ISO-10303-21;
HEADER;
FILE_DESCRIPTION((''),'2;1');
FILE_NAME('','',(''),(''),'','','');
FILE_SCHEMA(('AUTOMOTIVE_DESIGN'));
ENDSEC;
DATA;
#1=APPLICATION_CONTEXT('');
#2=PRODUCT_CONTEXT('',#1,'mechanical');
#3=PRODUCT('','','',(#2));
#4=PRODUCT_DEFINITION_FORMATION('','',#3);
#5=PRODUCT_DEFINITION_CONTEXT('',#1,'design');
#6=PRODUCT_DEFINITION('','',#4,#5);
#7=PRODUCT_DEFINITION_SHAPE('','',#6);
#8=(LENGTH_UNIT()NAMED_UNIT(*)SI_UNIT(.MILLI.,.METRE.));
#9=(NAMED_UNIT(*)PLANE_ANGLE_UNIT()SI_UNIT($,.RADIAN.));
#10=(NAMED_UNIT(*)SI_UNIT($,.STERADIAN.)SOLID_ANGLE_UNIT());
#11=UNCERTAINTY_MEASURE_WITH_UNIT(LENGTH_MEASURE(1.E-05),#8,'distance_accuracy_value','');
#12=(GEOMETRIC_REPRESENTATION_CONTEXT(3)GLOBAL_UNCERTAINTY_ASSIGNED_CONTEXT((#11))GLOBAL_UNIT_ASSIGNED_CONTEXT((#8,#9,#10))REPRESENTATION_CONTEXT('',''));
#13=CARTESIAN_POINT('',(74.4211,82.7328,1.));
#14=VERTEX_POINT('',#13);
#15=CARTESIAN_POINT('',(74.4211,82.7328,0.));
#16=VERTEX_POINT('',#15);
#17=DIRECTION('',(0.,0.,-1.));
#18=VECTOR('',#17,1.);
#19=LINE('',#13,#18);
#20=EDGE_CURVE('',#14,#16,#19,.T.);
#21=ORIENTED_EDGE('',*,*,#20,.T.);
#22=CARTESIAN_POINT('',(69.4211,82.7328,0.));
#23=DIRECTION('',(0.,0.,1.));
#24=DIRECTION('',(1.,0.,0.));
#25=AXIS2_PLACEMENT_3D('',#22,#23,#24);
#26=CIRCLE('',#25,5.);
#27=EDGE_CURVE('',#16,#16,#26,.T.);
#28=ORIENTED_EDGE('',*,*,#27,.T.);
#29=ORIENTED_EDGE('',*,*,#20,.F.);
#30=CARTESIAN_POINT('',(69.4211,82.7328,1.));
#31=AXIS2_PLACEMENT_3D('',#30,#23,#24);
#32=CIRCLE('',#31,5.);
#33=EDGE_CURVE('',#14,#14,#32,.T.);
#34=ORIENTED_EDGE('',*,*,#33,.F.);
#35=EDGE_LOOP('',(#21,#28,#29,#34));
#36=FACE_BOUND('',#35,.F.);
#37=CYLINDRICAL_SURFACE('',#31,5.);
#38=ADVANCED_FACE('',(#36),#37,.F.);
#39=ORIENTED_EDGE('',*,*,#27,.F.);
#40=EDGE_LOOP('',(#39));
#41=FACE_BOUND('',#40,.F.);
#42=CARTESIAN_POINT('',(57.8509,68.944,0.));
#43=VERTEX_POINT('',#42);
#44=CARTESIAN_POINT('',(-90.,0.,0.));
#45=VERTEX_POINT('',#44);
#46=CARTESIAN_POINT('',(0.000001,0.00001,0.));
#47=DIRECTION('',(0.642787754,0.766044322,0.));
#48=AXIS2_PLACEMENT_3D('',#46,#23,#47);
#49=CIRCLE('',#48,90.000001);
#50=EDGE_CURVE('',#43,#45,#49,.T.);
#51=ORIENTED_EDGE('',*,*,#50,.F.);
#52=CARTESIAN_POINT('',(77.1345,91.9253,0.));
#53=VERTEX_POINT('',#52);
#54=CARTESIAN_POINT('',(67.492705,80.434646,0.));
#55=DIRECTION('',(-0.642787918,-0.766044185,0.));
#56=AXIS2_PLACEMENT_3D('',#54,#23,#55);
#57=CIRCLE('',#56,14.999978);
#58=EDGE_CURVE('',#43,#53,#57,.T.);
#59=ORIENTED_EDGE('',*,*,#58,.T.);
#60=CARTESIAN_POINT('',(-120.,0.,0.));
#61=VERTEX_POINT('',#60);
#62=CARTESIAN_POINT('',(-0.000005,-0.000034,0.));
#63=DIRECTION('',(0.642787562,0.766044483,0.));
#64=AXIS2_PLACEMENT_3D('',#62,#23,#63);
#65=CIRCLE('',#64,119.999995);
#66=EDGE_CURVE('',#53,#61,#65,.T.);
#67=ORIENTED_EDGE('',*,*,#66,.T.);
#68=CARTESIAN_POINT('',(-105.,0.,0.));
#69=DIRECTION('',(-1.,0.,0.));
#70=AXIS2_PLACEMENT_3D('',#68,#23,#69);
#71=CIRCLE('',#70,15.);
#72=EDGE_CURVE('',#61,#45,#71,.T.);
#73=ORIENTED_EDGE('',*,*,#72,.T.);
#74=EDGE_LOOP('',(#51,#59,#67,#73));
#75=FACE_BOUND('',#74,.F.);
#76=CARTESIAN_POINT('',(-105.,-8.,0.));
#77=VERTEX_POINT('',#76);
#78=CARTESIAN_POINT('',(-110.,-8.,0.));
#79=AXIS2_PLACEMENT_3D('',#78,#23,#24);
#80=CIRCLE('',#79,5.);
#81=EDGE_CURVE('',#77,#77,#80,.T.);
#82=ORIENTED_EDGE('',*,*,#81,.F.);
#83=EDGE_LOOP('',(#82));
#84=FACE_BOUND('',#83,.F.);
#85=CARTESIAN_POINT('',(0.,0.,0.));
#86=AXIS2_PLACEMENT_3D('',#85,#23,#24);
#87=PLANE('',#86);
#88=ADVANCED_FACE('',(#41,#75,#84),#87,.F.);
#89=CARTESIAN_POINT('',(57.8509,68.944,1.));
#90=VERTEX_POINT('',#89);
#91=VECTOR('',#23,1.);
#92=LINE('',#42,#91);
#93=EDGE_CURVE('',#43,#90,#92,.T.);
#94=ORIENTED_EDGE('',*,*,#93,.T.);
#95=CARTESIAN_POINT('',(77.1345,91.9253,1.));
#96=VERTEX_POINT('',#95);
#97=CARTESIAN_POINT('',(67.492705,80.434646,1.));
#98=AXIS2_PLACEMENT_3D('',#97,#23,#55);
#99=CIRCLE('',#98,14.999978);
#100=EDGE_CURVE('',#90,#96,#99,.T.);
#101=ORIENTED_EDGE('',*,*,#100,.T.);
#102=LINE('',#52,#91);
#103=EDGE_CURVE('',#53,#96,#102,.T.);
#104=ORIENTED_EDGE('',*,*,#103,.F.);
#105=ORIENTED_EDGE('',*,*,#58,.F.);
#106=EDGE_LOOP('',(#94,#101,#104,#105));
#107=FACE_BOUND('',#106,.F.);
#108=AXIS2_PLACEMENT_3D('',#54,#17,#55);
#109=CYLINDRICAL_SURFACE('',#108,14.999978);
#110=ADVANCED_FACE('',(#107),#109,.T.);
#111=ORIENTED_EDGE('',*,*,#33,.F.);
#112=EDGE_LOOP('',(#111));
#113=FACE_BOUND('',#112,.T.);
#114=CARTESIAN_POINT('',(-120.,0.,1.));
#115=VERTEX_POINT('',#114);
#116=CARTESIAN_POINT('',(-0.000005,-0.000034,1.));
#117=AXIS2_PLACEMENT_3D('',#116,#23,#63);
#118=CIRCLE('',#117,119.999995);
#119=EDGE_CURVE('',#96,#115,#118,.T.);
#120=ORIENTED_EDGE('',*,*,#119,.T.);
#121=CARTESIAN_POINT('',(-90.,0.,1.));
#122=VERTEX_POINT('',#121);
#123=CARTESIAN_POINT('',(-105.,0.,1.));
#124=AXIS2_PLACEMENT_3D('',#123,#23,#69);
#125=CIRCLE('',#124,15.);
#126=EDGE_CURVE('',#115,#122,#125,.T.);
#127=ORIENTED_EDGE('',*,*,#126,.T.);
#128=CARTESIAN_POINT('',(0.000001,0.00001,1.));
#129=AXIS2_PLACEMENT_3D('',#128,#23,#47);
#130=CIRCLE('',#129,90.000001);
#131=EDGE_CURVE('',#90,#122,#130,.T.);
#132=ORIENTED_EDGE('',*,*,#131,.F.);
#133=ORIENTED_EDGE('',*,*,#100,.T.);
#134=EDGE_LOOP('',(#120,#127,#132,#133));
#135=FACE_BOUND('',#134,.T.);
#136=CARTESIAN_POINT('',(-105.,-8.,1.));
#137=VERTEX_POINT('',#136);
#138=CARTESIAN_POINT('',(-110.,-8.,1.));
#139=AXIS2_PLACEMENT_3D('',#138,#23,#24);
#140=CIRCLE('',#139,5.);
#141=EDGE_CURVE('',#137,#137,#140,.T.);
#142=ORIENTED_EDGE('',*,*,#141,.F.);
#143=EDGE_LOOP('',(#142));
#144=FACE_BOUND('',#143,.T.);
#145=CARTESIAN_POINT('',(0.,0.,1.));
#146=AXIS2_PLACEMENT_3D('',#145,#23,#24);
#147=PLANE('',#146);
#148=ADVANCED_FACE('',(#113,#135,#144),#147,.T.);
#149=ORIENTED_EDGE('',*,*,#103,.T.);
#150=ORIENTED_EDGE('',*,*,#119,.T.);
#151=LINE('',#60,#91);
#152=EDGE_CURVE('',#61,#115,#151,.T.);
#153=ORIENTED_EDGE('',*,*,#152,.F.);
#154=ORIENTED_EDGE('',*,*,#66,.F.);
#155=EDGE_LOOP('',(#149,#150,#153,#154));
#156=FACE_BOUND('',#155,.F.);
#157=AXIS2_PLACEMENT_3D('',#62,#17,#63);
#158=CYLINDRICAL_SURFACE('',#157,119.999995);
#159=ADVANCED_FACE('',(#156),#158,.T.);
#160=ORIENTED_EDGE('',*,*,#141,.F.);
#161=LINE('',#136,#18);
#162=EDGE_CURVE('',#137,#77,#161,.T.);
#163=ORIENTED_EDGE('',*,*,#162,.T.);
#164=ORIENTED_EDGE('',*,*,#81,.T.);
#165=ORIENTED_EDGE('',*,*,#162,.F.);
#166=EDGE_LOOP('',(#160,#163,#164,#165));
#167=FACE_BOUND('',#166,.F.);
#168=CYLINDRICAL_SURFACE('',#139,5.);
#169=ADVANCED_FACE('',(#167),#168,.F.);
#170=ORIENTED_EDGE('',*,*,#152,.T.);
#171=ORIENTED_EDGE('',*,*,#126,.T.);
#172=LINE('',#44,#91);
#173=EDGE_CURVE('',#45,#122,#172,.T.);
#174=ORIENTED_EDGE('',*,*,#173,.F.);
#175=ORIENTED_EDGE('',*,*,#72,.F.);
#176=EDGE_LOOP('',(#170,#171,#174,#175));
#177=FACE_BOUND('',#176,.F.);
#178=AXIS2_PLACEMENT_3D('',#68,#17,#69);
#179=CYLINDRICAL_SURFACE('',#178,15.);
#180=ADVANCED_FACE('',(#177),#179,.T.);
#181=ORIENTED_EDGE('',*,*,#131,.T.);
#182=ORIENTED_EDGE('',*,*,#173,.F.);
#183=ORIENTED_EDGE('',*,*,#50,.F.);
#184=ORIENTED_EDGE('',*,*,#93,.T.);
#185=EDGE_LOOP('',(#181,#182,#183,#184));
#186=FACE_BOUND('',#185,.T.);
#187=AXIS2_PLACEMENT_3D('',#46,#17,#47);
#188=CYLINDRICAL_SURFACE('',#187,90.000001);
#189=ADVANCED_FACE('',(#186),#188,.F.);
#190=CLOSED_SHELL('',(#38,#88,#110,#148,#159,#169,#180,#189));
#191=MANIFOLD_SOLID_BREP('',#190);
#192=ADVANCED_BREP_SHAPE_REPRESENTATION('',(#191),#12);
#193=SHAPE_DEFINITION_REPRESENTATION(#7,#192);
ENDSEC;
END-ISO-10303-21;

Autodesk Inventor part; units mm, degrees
ref_plane "YZ Plane" through (0, 0, 0) normal (1, 0, 0) x (0, 1, 0)
ref_plane "XZ Plane" through (0, 0, 0) normal (0, 1, 0) x (-1, 0, 0)
ref_plane "XY Plane" through (0, 0, 0) normal (0, 0, 1) x (1, 0, 0)
sketch "Sketch1" plane through (0, 0, 0) normal (0, 0, 1) x (1, 0, 0)
  arc A0 (77.1345, 91.9253) -> (-120, 0) centre (0, 0) ccw
  arc A1 (57.8509, 68.944) -> (-90, 0) centre (0, 0) ccw
  line L0 (-120, 0) -> (-90, 0) construction
  line L1 (0, 0) -> (77.1345, 91.9253) construction
  line L2 (57.8509, 68.944) -> (77.1345, 91.9253) construction
  arc A2 (-120, 0) -> (-90, 0) centre (-105, 0) ccw
  arc A3 (57.8509, 68.944) -> (77.1345, 91.9253) centre (67.4927, 80.4347) ccw
  dimension "d0" = 240
  dimension "d1" = 30
  dimension "d2" = 130
extrude "Extrusion2" add sketch "Sketch1" along normal blind 1
sketch "Sketch2" plane through (0, 0, 1) normal (0, 0, 1) x (1, 0, 0)
  arc A0 (77.1345, 91.9253) -> (-120, 0) centre (0, 0) ccw projected
  arc A1 (-120, 0) -> (-90, 0) centre (-105, 0) ccw projected
  circle A2 centre (-110, -8) radius 5
  arc A3 (57.8509, 68.944) -> (-90, 0) centre (0, 0) ccw projected
  arc A4 (57.8509, 68.944) -> (77.1345, 91.9253) centre (67.4927, 80.4347) ccw projected
  line L0 (57.8509, 68.944) -> (77.1345, 91.9253) construction
  circle A5 centre (69.4211, 82.7328) radius 5
  line L1 (-120, 0) -> (-90, 0) construction
  line L2 (-120, 0) -> (-120, 14.4317) construction
  line L3 (77.1345, 91.9253) -> (63.1812, 103.6336) construction
  dimension "d10" = 10
  dimension "d12" = 10
  dimension "d20" = 10
  dimension "d21" = 8
  dimension "d22" = 90
  dimension "d23" = 12
  dimension "d24" = 0
  dimension "d25" = 82.7328
  dimension "d26" = 189.4211
extrude "Extrusion3" cut sketch "Sketch2" against normal through all contours A2 | A5
sketch "Sketch3" plane through (0, 0, 1) normal (0, 0, 1) x (1, 0, 0)
  arc A0 (-120, 0) -> (-90, 0) centre (-105, 0) ccw projected
  line L0 (-120, 0) -> (-90, 0) construction
  line L1 (-120, 0) -> (-109.6077, -6)
  line L2 (-109.6077, -6) -> (-91.2523, -6)
  arc A1 (-120, 0) -> (-90, 0) centre (-105, 0) ccw
  point P0 (0, 0)
  dimension "d16" = 30
  dimension "d17" = 6
extrude "Extrusion4" [suppressed]
equation "\"d0\" = diametro_max"
equation "\"d1\" = ancho_disco"
equation "\"d2\" = angulo_alabe"
equation "\"d10\" = diametro_pin"
equation "\"d12\" = d10"
equation "\"d20\" = desfase_a_pin_inferior"
equation "\"d21\" = desfase_b_pin_inferior"
equation "\"d23\" = desfase_a_pin_superior"
equation "\"angulo_alabe\" = 130deg"
equation "\"ancho_disco\" = 30"
equation "\"diametro_max\" = 240"
equation "\"diametro_tubo\" = 232"
equation "\"desfase_pin_superior\" = 12"
equation "\"desfase_b_pin_inferior\" = 8"
equation "\"desfase_a_pin_inferior\" = 10"
equation "\"desfase_b_pin_superior\" = 0"
equation "\"desfase_a_pin_superior\" = 12"
equation "\"diametro_pin\" = 10"
equation "\"diametro_max_soporte\" = 248"
properties part number "alabes"
